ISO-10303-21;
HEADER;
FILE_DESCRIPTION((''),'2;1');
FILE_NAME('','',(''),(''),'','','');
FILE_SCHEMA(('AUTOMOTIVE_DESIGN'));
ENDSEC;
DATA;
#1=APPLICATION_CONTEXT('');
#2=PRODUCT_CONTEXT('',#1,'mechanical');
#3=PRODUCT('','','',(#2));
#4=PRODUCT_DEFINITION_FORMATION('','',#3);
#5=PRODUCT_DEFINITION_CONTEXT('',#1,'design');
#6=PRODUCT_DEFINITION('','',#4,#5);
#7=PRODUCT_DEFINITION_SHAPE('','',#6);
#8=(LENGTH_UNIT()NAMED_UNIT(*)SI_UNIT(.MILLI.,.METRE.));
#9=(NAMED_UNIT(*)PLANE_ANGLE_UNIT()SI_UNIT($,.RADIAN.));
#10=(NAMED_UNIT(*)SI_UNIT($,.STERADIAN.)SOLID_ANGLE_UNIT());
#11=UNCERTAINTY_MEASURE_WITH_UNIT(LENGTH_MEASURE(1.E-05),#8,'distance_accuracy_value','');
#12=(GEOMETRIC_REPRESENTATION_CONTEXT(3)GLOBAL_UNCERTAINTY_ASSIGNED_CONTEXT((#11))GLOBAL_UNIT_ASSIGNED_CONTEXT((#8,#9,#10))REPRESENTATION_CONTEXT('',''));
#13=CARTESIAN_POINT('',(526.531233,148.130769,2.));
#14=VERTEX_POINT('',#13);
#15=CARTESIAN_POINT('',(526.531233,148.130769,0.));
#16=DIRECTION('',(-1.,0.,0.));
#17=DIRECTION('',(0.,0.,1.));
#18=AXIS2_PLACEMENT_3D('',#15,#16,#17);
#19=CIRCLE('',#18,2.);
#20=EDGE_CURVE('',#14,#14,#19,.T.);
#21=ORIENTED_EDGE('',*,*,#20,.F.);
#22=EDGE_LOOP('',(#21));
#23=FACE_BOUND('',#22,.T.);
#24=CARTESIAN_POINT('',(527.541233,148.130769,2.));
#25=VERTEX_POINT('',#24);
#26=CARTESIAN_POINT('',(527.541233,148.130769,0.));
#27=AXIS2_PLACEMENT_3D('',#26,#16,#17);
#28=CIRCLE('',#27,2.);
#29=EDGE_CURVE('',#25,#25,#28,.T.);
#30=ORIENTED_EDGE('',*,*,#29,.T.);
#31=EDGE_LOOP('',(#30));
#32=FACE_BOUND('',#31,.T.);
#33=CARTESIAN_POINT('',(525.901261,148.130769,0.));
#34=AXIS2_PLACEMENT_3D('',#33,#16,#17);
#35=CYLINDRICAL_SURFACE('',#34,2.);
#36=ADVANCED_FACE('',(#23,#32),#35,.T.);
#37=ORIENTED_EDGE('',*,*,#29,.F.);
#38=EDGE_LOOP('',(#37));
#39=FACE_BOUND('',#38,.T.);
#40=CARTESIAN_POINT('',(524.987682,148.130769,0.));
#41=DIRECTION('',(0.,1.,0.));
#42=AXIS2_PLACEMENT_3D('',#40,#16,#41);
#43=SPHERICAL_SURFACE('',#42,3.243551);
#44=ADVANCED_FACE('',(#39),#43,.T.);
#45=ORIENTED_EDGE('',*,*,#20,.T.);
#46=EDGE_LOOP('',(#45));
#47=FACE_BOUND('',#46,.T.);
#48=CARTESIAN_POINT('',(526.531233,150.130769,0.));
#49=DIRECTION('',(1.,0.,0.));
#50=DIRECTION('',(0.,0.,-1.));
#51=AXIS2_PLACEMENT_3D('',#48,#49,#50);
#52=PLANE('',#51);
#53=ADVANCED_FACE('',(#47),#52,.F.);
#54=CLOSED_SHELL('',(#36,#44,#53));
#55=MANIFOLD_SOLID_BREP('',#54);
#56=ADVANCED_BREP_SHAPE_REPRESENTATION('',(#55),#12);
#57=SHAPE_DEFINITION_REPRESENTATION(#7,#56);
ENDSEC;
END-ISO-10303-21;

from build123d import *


with BuildPart() as part:
    # 草图1 → 旋转1 (revolve)
    with BuildSketch(Plane.XY, mode=Mode.PRIVATE) as revolve_1_sk:
        with BuildLine():
            Line((526.531233027, 150.13076894), (526.531233027, 148.13076894))
            Line((526.531233027, 148.13076894), (528.231233027, 148.13076894))
            ThreePointArc((528.231233027, 148.13076894), (528.053884563, 149.18860872), (527.541233027, 150.13076894))
            Line((527.541233027, 150.13076894), (526.531233027, 150.13076894))
        make_face()
    revolve(revolve_1_sk.sketch.rotate(Axis((525.901260588, 148.13076894, 0), (1, 0, 0)), 90), axis=Axis((525.901260588, 148.13076894, 0), (1, 0, 0)))  # turned: the seam where the file's is


solid = part.part
